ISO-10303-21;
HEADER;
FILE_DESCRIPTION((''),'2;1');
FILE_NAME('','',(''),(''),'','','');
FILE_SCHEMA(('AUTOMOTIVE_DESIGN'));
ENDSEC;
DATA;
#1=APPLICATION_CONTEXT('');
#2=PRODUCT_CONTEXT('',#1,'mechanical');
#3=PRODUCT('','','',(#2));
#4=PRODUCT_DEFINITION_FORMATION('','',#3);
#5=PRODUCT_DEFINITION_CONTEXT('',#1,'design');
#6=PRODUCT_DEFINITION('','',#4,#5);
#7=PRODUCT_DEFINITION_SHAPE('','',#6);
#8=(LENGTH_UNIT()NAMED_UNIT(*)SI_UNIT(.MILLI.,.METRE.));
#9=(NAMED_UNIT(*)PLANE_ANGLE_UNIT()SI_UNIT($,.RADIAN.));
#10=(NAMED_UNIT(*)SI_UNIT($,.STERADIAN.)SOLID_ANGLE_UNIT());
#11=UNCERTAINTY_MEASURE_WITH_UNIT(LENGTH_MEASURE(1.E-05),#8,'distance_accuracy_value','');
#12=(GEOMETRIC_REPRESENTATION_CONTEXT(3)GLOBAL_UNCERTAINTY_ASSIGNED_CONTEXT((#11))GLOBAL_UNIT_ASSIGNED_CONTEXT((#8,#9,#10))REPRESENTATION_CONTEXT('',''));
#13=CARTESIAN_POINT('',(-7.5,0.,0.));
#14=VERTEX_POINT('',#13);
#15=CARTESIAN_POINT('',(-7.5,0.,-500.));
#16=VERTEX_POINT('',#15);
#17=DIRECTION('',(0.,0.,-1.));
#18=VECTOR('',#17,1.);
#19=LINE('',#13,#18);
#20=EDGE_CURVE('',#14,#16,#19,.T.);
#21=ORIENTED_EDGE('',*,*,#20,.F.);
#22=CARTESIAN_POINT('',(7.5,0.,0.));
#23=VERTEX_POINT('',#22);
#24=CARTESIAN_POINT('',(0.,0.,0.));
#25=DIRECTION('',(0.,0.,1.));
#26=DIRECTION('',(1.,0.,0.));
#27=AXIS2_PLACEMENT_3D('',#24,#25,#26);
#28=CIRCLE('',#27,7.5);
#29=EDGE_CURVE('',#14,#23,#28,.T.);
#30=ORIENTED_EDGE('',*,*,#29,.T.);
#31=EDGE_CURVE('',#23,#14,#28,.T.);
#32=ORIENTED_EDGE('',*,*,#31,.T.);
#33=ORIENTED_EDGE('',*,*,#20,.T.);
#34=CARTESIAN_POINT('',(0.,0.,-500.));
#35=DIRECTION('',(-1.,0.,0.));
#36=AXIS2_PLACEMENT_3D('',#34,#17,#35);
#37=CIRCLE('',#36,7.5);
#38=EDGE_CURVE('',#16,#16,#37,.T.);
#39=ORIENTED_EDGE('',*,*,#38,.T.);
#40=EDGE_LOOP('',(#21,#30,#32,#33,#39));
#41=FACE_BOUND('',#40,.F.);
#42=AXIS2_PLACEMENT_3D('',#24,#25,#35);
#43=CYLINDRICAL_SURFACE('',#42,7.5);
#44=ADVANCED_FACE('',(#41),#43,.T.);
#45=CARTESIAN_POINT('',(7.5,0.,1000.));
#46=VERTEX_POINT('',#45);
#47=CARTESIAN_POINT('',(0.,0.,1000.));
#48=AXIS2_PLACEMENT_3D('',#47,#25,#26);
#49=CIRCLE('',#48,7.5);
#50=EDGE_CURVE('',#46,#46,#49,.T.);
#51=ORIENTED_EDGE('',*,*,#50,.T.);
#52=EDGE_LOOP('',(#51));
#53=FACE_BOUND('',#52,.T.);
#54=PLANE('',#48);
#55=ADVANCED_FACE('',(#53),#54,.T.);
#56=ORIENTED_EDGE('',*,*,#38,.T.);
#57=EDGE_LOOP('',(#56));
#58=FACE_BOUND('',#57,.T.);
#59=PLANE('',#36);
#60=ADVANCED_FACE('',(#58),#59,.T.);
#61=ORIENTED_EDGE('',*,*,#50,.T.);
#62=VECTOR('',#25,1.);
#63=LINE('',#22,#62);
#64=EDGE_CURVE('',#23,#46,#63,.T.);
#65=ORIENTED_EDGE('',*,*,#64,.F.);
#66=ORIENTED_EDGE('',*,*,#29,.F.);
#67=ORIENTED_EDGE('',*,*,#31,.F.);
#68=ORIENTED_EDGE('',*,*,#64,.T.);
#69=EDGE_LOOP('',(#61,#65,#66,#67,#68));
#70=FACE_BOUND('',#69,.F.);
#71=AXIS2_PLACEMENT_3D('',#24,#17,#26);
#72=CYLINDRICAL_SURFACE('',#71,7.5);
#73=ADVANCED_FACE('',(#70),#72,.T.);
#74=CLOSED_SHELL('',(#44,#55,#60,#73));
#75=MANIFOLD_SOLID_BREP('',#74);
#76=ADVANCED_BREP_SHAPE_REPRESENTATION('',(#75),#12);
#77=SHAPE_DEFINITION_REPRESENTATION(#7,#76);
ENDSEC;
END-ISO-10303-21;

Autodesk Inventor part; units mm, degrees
ref_plane "YZ Plane" through (0, 0, 0) normal (1, 0, 0) x (0, 1, 0)
ref_plane "XZ Plane" through (0, 0, 0) normal (0, 1, 0) x (-1, 0, 0)
ref_plane "XY Plane" through (0, 0, 0) normal (0, 0, 1) x (1, 0, 0)
sketch "Sketch1" plane through (0, 0, 0) normal (0, 0, 1) x (1, 0, 0)
  circle A0 centre (0, 0) radius 7.5
  dimension "d0" = 15
extrude "Extrusion1" add sketch "Sketch1" along normal blind 1000
sketch "Sketch2" plane through (0, 0, 0) normal (0, 0, -1) x (-1, 0, 0)
  circle A0 centre (0, 0) radius 7.5
extrude "Extrusion2" add sketch "Sketch2" along normal blind 500
properties part number "Rope"
